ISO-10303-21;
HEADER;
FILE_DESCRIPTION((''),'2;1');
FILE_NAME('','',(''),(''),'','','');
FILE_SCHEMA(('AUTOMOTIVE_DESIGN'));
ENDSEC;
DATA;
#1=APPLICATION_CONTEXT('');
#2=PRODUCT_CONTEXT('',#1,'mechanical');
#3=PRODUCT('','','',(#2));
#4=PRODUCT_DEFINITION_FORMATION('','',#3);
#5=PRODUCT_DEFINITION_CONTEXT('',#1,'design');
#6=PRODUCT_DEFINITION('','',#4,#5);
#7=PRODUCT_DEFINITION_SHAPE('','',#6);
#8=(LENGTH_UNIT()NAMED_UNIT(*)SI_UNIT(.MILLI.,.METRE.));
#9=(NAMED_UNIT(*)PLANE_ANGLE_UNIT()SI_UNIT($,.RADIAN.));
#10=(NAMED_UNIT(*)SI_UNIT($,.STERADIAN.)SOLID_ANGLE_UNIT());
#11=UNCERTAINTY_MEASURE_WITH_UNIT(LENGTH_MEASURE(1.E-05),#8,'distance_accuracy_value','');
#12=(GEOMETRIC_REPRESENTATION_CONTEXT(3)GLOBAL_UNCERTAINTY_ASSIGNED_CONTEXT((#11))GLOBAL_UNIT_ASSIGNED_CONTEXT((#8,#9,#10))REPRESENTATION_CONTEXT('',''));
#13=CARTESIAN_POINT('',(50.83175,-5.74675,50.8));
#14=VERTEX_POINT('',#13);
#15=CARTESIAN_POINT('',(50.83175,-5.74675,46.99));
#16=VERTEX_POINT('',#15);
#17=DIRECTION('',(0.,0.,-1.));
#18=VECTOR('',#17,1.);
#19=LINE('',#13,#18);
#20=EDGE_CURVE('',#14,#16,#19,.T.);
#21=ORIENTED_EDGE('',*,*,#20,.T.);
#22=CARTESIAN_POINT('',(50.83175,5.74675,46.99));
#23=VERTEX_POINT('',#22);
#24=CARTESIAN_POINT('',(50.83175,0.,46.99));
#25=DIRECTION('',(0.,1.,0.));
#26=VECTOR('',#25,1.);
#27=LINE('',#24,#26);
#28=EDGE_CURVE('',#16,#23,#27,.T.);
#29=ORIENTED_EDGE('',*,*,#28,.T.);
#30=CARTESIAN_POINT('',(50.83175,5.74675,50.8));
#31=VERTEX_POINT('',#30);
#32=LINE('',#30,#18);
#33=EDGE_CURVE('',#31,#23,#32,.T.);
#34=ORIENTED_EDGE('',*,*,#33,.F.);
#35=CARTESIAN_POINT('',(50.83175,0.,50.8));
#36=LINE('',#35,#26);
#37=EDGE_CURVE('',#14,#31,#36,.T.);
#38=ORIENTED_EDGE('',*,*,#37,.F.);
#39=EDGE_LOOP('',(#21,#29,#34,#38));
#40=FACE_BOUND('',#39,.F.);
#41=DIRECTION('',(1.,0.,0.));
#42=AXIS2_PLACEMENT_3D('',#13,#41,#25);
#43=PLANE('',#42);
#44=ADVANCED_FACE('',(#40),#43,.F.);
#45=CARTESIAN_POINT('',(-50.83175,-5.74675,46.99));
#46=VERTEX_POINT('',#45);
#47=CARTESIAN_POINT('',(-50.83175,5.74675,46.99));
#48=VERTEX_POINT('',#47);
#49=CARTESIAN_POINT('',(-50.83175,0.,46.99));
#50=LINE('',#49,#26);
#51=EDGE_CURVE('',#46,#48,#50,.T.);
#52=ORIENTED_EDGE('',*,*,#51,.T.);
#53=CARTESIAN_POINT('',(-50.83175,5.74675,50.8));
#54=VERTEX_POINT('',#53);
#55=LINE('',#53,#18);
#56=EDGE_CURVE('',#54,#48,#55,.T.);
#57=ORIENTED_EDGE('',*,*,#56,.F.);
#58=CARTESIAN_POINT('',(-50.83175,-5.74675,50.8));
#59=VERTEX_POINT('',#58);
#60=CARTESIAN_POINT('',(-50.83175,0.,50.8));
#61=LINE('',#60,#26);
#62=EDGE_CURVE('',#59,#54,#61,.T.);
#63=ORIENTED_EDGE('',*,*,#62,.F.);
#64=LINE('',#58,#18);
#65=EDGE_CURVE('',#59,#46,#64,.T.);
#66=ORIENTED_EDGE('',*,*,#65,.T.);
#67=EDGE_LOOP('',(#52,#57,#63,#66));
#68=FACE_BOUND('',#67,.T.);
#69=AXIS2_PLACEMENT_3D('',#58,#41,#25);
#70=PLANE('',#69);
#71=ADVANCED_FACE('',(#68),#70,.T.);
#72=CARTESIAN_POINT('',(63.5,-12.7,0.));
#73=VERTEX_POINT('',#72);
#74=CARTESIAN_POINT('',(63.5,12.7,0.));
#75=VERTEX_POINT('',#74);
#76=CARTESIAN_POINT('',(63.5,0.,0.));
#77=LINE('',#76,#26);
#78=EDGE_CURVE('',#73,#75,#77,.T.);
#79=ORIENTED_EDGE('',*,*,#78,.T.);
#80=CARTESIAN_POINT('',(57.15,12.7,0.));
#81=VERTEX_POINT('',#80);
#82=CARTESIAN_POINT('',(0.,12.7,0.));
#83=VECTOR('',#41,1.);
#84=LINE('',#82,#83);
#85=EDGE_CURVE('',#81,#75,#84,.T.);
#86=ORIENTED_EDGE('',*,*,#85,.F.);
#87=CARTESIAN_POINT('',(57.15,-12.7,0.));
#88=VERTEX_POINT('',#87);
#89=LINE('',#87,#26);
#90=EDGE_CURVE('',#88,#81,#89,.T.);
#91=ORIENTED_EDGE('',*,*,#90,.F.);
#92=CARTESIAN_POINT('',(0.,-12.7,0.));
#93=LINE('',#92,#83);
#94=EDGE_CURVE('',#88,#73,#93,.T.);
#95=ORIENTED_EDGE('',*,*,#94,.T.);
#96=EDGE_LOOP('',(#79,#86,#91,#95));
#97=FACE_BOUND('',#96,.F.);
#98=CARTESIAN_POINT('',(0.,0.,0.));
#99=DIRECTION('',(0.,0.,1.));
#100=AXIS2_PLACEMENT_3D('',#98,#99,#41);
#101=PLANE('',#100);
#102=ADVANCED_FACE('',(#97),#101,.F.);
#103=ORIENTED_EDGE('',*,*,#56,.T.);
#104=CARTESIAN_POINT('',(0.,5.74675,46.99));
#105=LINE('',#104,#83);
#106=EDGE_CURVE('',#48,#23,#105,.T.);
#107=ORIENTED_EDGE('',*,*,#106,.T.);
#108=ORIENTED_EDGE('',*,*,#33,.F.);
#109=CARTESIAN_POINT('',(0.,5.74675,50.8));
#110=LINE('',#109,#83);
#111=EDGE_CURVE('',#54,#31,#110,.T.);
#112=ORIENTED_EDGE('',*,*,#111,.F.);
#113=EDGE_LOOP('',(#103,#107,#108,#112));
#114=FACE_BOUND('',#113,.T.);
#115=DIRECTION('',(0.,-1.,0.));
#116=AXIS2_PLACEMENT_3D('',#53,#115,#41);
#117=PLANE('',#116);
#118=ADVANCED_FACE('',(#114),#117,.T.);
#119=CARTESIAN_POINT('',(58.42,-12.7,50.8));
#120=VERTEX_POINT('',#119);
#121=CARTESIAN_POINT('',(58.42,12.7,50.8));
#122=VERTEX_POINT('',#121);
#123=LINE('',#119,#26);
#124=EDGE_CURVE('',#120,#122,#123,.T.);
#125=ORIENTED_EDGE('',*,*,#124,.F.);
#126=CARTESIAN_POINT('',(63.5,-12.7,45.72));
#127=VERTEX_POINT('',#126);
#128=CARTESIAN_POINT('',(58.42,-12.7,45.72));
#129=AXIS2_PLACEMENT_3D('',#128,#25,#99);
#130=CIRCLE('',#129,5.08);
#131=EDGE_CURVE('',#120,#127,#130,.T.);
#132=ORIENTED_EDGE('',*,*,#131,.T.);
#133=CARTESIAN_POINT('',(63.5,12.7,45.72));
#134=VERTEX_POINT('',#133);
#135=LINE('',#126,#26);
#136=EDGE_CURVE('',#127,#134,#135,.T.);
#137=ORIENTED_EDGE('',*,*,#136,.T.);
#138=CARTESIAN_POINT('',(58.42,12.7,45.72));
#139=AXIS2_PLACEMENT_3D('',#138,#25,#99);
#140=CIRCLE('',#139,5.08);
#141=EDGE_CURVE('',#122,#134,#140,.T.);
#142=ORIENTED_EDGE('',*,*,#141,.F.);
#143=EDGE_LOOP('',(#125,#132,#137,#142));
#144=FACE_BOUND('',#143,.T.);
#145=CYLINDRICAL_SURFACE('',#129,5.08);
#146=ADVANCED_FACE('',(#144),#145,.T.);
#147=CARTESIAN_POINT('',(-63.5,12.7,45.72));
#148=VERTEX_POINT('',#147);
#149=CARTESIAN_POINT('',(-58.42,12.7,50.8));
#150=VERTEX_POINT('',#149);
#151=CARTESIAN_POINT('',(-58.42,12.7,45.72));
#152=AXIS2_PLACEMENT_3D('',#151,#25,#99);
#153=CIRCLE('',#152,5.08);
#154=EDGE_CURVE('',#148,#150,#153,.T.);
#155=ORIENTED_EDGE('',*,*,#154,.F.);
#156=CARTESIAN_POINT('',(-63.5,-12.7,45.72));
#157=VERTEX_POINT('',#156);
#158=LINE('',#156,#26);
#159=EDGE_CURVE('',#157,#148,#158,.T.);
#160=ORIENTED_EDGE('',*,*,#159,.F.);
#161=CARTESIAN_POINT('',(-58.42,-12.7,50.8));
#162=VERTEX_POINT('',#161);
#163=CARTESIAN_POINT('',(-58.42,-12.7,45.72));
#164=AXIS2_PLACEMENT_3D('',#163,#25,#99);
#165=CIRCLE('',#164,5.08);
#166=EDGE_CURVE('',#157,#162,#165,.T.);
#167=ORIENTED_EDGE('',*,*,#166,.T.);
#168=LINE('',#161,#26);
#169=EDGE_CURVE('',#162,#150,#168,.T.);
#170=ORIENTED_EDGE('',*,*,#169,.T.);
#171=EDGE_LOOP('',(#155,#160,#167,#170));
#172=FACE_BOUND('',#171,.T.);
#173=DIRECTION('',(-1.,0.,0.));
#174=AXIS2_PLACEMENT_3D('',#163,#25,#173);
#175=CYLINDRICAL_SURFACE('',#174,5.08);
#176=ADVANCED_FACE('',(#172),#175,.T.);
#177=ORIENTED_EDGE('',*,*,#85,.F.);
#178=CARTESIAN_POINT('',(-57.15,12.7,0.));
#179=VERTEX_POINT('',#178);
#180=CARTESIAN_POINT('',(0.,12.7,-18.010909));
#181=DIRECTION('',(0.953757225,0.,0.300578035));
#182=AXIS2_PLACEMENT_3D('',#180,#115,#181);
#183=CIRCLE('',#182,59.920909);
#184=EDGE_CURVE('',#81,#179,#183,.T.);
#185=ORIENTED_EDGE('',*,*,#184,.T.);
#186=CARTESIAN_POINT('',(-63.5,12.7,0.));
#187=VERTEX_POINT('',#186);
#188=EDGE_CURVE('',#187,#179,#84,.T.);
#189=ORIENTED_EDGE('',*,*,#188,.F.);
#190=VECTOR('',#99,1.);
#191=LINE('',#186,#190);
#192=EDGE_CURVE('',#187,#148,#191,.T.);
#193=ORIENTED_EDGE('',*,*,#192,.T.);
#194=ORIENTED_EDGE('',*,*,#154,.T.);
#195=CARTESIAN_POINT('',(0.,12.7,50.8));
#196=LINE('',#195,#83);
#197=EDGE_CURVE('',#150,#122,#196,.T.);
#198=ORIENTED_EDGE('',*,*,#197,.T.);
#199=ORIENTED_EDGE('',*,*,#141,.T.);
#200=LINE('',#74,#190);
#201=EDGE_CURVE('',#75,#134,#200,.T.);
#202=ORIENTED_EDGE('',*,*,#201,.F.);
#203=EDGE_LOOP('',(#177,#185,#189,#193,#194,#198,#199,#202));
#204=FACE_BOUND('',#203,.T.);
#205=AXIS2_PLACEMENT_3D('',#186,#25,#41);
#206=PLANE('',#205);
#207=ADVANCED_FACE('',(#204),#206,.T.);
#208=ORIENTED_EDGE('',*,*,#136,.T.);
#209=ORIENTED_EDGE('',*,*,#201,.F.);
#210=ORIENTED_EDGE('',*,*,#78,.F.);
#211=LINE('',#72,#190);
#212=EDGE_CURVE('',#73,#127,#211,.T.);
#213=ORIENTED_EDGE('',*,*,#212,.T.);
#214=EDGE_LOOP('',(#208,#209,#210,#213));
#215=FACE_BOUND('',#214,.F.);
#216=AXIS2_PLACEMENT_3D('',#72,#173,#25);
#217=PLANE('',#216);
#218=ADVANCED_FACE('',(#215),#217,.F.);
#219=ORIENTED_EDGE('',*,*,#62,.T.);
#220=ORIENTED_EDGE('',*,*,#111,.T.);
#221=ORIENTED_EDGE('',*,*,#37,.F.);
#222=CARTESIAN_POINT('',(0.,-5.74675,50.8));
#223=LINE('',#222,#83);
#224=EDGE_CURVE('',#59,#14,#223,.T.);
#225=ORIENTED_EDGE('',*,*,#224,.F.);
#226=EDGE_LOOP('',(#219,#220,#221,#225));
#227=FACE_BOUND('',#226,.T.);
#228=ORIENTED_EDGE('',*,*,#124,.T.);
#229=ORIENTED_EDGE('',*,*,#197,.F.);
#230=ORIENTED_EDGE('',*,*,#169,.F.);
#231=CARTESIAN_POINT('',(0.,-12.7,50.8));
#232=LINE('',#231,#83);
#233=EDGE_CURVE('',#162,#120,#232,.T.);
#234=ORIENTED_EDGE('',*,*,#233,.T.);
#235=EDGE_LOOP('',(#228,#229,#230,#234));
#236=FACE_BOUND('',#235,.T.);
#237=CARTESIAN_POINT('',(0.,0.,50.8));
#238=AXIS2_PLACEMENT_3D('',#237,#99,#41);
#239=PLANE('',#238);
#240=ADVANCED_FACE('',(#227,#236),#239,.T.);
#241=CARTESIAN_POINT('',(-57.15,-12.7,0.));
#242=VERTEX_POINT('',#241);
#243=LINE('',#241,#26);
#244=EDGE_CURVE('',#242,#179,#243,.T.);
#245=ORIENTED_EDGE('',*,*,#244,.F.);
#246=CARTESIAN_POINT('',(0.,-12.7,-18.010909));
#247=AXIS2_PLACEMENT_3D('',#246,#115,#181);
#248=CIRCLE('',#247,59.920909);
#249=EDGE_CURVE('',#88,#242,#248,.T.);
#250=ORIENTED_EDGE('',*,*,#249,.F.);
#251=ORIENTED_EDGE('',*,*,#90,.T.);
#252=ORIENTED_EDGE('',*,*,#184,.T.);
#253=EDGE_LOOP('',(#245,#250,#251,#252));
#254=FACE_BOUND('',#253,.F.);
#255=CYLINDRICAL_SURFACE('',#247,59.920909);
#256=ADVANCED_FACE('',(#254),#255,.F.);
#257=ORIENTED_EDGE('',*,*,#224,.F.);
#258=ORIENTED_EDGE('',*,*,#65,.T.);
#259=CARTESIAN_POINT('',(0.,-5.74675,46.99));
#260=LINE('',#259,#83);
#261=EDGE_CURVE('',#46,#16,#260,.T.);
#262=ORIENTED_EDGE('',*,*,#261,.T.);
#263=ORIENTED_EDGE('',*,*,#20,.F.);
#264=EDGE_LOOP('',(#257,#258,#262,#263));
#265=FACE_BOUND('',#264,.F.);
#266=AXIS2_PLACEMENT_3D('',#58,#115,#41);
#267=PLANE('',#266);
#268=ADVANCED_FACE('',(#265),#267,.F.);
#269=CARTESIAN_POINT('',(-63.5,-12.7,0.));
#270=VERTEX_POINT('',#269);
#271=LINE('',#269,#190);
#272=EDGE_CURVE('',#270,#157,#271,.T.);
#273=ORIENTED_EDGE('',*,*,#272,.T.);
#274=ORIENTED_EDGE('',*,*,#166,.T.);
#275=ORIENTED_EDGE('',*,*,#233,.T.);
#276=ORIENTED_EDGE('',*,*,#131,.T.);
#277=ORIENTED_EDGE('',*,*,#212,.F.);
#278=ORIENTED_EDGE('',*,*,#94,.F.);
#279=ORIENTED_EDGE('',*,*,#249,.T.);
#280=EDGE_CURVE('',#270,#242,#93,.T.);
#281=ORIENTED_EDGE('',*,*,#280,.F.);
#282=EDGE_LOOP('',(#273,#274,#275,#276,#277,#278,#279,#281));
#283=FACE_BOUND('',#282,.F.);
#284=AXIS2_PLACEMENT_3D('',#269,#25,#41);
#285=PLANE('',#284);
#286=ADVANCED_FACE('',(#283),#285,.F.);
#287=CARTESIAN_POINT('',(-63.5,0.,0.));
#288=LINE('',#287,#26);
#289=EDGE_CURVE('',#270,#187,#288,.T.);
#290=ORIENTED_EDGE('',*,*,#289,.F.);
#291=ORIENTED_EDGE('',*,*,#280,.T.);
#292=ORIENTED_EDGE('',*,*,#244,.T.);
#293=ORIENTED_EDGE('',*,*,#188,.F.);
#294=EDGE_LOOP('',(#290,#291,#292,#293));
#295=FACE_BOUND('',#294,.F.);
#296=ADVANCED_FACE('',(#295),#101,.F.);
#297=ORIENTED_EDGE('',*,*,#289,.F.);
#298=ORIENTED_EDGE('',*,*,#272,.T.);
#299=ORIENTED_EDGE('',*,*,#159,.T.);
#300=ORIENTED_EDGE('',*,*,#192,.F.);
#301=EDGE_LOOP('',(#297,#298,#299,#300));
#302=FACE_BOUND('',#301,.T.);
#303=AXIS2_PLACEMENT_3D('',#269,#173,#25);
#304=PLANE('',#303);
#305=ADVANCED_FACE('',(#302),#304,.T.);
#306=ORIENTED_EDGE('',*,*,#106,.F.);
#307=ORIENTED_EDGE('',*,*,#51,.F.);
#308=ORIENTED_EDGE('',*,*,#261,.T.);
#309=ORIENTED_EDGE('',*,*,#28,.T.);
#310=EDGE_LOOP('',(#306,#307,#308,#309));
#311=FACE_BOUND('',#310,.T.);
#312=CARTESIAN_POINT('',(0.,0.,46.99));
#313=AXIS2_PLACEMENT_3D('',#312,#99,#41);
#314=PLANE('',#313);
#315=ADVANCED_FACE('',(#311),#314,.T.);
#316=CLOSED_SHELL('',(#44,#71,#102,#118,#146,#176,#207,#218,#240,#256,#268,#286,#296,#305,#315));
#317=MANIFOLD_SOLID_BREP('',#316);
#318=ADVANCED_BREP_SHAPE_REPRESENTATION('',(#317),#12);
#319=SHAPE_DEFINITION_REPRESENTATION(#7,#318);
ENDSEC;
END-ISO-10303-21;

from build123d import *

# Parameters (mm, degrees)
F0_W     = 127
F0_H     = 25.4
F1_DEPTH = 50.8
F2_W     = 101.6635
F2_H     = 11.4935
F3_DEPTH = 3.81
F5_DEPTH = 50.8
F6_R     = 5.08


with BuildPart() as f1:
    # F0 (on Top) → F1 (new body)
    with BuildSketch(Plane.XY):
        Rectangle(F0_W, F0_H)
    extrude(amount=F1_DEPTH)

    # F2 (on face) → F3 (cut)
    with BuildSketch(Plane.XY.offset(50.8)):
        Rectangle(F2_W, F2_H)
    extrude(amount=-F3_DEPTH, mode=Mode.SUBTRACT)

    # F4 (on face) → F5 (cut)
    with BuildSketch(Plane.XZ.offset(12.7)):
        with BuildLine():
            Line((-57.15, 0), (57.15, 0))
            ThreePointArc((57.15, 0), (0, 41.91), (-57.15, 0))
        make_face()
    extrude(amount=-F5_DEPTH, mode=Mode.SUBTRACT)

    # F6
    f6_edges = [f1.edges().sort_by_distance(p)[0] for p in [
        (-63.5, 0, 50.8),
        (63.5, 0, 50.8),
    ]]
    fillet(f6_edges, radius=F6_R)


solid = f1.part
